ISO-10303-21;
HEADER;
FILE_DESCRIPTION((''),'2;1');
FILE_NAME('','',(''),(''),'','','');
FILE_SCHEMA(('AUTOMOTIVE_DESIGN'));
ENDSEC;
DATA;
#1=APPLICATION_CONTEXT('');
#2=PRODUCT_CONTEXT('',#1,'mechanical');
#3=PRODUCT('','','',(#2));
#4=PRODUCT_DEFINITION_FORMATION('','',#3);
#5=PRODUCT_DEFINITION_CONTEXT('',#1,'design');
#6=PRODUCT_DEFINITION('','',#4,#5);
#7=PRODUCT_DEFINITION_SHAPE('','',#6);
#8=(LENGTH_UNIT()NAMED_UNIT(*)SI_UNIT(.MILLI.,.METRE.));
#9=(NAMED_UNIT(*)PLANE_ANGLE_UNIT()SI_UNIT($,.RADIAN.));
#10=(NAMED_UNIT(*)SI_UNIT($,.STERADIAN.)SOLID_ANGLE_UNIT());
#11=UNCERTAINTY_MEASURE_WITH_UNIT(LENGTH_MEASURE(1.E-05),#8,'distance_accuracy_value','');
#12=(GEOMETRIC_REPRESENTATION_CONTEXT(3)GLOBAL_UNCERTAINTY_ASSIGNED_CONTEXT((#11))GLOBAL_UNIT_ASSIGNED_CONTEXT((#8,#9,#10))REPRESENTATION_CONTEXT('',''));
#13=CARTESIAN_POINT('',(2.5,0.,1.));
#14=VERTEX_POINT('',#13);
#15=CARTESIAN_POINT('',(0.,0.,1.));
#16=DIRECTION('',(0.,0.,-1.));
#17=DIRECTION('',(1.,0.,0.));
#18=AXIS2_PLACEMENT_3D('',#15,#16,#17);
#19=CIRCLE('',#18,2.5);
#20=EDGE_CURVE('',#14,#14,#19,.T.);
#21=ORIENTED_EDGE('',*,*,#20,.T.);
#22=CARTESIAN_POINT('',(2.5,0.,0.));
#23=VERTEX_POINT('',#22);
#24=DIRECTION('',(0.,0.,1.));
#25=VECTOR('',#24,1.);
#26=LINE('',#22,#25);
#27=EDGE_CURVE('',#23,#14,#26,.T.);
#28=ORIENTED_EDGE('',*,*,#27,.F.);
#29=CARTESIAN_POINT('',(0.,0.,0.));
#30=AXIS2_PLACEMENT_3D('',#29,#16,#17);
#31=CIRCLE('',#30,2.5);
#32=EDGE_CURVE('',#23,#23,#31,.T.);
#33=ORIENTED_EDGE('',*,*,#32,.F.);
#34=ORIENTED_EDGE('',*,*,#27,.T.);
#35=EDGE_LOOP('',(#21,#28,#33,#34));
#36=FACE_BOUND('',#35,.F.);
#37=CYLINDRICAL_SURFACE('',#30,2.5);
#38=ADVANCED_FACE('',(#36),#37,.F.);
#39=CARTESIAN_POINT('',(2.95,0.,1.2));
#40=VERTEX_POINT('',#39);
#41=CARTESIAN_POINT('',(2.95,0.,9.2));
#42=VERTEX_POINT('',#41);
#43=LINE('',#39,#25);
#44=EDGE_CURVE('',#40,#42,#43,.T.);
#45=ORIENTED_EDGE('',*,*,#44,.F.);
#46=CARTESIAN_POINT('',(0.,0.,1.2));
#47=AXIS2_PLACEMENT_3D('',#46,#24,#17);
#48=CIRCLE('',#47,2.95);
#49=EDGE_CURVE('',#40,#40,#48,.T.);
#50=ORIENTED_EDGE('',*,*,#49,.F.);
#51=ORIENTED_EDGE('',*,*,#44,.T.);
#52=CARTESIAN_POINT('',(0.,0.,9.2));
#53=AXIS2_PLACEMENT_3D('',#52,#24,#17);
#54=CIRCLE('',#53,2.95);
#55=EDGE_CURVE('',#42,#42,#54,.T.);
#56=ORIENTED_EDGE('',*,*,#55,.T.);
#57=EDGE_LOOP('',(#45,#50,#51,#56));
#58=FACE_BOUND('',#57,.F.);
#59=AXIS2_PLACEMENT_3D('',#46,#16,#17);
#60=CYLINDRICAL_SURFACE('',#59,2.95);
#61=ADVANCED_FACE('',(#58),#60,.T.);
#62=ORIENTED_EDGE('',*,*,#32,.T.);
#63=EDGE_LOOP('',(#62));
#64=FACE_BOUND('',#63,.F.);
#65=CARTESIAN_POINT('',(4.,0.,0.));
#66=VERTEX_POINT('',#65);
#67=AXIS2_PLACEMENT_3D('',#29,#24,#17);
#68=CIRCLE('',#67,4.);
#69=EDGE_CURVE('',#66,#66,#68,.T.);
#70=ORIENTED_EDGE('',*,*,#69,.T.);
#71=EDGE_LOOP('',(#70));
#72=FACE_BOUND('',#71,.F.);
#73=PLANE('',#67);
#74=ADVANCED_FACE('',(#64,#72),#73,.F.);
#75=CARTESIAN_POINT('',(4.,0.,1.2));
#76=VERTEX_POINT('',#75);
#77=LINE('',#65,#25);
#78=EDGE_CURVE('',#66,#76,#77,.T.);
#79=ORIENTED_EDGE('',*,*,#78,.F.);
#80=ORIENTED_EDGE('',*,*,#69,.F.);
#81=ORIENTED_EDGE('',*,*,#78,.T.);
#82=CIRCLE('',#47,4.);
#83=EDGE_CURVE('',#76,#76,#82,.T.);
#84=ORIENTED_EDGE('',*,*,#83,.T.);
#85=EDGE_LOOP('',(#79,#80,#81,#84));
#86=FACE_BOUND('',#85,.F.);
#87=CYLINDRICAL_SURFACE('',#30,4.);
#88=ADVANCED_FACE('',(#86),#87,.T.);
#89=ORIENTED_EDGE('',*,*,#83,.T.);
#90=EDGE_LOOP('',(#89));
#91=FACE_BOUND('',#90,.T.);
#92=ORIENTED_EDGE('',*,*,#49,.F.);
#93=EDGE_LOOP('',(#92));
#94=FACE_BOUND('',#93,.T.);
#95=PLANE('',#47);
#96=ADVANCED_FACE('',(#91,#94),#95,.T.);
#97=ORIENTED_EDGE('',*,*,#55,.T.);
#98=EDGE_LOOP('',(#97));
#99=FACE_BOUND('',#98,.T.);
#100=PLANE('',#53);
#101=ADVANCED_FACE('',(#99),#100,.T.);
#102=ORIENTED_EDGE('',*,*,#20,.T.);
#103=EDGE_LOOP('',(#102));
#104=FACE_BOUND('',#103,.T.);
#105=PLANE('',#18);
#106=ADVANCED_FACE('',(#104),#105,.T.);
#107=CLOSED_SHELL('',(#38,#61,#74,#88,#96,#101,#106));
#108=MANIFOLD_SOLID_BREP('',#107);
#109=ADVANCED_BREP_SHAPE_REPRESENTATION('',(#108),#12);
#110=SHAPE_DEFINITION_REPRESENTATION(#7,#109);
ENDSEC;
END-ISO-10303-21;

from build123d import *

# Parameters (mm, degrees)
SKETCH020_R     = 4
PAD016_DEPTH    = 1.2
SKETCH021_R     = 2.95
PAD017_DEPTH    = 8
SKETCH022_R     = 2.5
POCKET004_DEPTH = 1


with BuildPart() as part:
    # Sketch020 → Pad016 (new body)
    with BuildSketch(Plane.XY):
        Circle(SKETCH020_R)
    extrude(amount=PAD016_DEPTH)

    # Sketch021 → Pad017 (new body)
    with BuildSketch(Plane.XY.offset(1.2)):
        Circle(SKETCH021_R)
    extrude(amount=PAD017_DEPTH)

    # Sketch022 → Pocket004 (cut)
    with BuildSketch(Plane(origin=(0, 0, 0), x_dir=(1, 0, 0), z_dir=(0, 0, -1))):
        Circle(SKETCH022_R)
    extrude(amount=-POCKET004_DEPTH, mode=Mode.SUBTRACT)


solid = part.part
